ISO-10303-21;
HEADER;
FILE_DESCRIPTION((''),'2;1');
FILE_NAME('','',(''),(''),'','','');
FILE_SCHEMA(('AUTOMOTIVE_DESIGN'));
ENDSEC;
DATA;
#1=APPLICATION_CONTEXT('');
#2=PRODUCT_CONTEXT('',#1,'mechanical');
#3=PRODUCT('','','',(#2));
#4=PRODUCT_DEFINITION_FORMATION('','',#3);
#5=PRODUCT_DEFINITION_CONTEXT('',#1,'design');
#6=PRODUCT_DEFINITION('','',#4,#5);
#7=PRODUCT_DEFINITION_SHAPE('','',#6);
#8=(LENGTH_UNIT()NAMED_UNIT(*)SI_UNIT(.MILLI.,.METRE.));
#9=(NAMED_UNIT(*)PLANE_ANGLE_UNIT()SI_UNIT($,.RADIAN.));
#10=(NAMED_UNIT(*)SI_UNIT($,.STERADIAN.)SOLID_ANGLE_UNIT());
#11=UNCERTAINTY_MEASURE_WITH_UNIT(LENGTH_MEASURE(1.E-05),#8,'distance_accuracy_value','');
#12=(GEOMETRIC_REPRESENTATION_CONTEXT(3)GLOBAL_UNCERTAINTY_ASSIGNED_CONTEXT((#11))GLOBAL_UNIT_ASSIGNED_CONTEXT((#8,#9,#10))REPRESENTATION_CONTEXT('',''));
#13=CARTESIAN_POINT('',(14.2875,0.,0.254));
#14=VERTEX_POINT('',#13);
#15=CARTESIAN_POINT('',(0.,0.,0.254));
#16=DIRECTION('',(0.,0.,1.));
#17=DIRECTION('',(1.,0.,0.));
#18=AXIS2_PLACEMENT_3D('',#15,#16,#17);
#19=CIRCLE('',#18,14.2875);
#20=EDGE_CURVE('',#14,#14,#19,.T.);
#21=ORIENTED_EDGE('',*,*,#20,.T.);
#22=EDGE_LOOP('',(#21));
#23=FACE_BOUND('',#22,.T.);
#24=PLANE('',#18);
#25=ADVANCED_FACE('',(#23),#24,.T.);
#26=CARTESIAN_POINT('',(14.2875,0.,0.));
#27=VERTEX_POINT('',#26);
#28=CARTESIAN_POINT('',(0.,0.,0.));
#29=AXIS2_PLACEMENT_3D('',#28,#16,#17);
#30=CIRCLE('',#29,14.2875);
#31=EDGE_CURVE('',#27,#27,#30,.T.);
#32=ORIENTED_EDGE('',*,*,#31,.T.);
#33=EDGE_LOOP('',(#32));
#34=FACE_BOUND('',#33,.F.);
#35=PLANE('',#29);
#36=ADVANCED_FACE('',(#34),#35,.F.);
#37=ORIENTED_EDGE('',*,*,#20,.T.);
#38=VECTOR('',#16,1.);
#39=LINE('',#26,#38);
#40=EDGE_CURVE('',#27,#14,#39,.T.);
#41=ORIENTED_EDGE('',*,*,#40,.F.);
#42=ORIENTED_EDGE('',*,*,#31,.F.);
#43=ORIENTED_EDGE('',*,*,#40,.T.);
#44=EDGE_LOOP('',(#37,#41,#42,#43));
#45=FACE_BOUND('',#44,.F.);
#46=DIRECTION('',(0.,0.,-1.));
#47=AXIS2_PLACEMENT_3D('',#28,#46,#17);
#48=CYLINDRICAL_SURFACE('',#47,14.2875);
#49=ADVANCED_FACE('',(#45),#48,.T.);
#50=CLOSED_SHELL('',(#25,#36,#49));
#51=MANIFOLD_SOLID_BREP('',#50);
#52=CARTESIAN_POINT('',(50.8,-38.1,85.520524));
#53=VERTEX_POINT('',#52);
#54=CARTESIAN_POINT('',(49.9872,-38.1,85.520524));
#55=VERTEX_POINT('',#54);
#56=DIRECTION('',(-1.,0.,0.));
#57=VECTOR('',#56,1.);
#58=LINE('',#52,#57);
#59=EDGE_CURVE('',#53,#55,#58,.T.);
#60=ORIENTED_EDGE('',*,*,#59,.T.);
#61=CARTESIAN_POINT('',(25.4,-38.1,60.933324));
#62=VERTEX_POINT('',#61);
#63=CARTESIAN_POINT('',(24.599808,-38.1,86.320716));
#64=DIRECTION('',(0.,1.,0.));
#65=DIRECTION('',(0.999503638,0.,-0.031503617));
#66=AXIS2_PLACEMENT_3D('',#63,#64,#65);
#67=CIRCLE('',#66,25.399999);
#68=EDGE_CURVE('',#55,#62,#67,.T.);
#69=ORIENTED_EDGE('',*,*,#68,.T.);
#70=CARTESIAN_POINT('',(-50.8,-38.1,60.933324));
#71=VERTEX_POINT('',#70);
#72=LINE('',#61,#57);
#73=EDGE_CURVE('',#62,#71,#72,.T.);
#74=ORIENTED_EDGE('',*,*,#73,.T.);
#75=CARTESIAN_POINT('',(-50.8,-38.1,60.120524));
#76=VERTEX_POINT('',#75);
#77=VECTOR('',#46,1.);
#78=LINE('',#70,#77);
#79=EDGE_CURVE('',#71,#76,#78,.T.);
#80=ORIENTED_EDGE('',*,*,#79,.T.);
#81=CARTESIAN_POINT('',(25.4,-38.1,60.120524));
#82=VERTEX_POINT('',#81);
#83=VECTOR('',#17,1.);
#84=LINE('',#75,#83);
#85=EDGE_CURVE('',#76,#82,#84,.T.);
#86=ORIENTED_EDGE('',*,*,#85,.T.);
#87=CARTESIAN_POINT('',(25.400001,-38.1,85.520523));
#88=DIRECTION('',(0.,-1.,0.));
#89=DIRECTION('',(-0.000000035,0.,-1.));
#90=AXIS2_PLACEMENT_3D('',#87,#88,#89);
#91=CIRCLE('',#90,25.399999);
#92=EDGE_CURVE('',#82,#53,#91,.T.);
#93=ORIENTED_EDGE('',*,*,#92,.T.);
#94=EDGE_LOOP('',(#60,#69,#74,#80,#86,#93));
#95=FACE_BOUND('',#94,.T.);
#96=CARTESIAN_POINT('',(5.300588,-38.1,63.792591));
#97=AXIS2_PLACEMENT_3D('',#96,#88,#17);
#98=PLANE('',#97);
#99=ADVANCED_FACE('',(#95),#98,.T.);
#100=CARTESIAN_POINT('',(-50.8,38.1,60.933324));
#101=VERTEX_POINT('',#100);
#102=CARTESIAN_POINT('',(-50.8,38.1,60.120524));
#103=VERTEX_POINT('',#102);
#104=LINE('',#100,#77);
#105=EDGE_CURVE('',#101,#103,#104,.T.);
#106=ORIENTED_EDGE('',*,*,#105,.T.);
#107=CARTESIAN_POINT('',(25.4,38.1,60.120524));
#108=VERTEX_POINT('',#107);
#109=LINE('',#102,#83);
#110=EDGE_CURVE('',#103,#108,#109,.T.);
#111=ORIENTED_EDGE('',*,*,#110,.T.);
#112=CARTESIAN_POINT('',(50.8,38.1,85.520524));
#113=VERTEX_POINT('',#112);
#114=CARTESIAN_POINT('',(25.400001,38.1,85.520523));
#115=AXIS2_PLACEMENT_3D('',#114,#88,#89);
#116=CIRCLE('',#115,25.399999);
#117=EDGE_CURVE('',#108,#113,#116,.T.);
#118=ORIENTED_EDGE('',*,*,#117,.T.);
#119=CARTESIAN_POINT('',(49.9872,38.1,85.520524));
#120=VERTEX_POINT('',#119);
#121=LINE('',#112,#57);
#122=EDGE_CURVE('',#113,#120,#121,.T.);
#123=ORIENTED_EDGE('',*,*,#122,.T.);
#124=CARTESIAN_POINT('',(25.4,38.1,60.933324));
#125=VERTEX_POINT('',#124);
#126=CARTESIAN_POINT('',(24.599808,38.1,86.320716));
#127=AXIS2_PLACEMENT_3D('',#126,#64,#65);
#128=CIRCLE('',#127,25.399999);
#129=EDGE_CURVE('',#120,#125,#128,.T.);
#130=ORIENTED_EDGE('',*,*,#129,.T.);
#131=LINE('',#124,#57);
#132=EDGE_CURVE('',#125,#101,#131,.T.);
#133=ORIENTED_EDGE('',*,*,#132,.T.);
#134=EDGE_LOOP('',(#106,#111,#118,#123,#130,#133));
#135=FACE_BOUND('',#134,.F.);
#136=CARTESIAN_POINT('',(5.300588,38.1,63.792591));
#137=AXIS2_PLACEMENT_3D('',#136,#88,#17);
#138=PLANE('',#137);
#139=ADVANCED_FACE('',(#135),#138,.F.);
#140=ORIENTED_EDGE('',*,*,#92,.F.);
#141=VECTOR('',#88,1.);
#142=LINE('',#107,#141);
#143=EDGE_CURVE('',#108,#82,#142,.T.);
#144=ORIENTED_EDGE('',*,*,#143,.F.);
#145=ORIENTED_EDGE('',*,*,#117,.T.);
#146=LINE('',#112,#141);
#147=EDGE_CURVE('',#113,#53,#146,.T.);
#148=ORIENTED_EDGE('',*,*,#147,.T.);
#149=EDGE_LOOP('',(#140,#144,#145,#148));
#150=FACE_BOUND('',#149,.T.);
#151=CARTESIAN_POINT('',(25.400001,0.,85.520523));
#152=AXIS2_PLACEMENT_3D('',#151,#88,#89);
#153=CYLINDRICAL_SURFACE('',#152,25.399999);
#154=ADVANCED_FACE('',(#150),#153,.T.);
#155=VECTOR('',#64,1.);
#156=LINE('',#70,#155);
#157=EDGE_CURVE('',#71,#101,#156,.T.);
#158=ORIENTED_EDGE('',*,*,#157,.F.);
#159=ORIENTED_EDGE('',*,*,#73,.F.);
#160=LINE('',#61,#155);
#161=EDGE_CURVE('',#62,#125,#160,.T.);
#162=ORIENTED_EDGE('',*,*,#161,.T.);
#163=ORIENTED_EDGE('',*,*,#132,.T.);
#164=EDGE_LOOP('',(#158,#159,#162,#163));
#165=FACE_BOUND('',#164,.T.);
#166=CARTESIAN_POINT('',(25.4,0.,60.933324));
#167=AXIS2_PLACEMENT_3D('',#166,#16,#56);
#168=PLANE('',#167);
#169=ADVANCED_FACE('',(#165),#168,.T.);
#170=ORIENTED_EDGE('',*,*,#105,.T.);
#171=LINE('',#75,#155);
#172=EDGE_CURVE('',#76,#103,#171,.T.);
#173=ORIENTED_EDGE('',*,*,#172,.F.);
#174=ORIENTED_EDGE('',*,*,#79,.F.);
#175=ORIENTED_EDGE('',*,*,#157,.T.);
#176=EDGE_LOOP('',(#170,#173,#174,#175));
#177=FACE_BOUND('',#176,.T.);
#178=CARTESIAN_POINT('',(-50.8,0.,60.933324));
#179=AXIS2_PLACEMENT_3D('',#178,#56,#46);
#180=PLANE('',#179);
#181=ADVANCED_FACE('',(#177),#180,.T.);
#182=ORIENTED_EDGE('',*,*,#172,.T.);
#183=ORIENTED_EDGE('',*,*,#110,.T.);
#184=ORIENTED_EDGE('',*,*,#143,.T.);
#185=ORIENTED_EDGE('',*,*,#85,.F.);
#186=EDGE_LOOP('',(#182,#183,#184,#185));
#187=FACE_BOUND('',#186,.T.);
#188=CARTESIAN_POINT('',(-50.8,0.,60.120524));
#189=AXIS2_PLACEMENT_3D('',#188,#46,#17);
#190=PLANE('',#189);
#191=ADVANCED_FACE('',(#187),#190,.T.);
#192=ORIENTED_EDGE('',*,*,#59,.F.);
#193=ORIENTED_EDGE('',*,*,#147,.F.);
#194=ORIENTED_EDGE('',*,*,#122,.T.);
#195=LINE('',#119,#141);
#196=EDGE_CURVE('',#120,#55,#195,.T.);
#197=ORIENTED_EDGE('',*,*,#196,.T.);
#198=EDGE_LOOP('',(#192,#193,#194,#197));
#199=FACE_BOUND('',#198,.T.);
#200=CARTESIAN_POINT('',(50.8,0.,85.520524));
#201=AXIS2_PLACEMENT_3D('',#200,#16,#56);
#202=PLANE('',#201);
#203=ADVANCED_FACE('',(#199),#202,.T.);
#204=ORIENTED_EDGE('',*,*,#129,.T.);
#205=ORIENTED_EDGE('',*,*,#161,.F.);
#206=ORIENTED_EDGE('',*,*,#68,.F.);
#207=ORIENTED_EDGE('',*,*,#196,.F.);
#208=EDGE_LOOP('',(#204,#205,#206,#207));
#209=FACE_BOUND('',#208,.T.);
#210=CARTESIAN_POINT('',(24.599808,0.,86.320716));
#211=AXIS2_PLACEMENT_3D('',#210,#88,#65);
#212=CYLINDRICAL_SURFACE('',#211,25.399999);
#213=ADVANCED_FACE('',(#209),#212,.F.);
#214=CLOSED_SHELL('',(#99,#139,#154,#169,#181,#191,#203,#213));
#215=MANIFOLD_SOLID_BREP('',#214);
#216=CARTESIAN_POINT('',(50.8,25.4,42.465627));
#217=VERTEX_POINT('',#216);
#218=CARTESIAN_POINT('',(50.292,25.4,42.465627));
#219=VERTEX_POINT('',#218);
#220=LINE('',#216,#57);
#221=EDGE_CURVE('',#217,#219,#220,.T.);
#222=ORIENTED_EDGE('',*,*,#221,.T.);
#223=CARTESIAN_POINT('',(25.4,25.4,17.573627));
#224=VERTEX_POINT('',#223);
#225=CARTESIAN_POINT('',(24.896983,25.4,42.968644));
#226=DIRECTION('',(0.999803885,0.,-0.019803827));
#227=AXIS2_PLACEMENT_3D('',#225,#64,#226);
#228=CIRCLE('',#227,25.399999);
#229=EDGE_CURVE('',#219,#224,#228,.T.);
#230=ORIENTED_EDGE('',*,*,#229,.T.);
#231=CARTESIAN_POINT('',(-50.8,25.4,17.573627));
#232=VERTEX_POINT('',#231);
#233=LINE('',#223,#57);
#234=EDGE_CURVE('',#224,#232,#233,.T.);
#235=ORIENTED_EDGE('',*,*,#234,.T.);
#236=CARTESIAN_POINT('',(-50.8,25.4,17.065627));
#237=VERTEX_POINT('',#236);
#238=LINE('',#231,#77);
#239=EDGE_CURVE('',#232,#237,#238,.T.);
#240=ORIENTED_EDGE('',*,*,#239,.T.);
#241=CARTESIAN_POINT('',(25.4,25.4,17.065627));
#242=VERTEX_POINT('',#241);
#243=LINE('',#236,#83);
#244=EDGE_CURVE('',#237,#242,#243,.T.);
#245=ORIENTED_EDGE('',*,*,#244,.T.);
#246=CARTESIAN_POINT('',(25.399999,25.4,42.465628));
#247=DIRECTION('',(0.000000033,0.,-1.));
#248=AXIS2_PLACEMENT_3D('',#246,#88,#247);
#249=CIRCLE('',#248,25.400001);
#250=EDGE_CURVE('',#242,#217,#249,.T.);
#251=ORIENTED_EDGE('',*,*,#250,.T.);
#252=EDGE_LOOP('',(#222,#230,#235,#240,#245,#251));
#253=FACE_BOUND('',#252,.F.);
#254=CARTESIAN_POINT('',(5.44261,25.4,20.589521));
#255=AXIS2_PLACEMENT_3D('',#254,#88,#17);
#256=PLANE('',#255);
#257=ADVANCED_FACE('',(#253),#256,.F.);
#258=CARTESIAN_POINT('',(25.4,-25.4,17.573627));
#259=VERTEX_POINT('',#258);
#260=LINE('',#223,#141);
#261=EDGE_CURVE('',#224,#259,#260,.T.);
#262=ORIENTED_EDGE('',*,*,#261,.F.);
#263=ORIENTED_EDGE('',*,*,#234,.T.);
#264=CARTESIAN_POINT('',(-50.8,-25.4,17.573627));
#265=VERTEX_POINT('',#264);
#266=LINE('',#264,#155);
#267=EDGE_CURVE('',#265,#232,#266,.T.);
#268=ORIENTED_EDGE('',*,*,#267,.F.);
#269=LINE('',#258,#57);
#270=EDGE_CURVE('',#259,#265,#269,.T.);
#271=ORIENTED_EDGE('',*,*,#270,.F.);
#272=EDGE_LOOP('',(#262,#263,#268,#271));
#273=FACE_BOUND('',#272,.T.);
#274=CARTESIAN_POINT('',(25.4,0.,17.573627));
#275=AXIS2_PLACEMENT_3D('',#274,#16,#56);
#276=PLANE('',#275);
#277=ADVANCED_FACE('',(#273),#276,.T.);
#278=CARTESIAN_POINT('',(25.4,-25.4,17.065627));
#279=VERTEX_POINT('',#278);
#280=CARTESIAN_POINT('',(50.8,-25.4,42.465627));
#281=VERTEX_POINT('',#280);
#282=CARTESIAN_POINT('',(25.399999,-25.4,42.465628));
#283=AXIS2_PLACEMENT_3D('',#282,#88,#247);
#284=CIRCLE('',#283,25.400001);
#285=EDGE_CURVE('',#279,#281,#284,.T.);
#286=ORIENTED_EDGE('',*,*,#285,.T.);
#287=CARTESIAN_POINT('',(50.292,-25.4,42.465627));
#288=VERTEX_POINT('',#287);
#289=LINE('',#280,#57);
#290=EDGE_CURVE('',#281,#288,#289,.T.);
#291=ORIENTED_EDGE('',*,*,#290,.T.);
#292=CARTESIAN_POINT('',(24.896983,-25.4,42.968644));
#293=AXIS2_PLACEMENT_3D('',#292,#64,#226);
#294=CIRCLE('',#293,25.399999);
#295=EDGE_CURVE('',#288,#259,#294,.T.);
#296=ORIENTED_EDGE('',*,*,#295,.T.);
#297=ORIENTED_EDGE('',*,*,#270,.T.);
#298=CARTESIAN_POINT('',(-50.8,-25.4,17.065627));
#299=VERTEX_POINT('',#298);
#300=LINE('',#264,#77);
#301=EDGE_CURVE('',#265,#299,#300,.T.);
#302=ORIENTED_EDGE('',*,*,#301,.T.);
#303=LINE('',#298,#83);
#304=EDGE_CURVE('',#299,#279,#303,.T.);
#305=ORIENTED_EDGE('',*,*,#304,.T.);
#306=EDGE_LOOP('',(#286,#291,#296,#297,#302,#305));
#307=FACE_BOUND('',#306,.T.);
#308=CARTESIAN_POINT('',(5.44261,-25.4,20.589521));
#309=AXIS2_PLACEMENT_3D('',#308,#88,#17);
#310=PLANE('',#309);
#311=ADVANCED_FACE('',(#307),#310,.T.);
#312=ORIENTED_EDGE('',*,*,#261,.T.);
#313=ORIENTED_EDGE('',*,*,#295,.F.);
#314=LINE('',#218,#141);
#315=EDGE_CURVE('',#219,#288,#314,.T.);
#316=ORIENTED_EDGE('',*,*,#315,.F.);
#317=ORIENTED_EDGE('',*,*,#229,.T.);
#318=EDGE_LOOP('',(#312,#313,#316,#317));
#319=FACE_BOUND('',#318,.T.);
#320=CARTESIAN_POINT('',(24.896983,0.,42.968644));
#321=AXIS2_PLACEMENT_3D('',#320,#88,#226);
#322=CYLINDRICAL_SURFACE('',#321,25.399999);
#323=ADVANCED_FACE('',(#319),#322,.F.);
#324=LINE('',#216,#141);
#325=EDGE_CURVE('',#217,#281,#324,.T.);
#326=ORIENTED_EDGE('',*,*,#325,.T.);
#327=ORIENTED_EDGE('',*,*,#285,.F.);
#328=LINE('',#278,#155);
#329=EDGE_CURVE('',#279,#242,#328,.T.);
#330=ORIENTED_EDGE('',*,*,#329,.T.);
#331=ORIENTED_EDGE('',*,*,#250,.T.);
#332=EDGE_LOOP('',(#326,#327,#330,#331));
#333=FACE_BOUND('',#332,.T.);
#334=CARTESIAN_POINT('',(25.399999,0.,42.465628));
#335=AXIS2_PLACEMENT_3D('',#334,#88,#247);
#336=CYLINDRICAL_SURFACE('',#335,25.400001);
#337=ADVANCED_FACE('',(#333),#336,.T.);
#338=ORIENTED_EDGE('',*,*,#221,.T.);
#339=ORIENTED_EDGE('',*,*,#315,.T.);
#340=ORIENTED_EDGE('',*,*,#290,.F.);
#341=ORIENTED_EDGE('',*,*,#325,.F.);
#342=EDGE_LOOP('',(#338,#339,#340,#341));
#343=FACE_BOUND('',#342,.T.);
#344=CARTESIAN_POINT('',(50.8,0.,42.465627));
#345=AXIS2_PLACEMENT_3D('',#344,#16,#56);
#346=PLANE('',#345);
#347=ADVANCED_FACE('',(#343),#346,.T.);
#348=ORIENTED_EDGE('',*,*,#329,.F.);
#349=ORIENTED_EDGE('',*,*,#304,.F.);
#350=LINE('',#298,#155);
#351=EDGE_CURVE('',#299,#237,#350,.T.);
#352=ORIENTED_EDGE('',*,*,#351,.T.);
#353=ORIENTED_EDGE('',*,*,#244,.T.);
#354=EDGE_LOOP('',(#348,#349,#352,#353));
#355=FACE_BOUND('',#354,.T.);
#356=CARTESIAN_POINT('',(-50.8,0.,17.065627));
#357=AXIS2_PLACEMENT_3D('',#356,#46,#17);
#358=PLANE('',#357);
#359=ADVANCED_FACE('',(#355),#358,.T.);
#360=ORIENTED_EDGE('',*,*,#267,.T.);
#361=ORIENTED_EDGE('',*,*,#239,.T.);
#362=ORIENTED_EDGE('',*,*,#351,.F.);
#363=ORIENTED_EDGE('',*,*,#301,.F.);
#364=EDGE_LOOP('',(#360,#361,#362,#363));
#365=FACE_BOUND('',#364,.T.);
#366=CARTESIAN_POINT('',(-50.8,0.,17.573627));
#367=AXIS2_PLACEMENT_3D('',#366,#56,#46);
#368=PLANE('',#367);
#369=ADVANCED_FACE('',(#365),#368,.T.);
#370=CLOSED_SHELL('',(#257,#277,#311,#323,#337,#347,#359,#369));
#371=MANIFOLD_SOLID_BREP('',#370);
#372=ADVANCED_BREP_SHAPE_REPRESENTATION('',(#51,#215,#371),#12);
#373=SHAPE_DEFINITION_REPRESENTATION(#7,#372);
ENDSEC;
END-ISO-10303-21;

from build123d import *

# Parameters (mm, degrees)
F0_R     = 14.2875
F1_DEPTH = 0.254
F3_DEPTH = 25.4
F5_DEPTH = 38.1


with BuildPart() as f1:
    # F0 (on Top) → F1 (new body)
    with BuildSketch(Plane.XY):
        Circle(F0_R)
    extrude(amount=F1_DEPTH)


with BuildPart() as f3:
    # F2 (on Front) → F3 (new body, symmetric)
    with BuildSketch(Plane.XZ):
        with BuildLine():
            ThreePointArc((25.4, 17.065627), (43.360512, 24.505115), (50.8, 42.465627))
            Line((50.8, 42.465627), (50.292, 42.465627))
            ThreePointArc((50.292, 42.465627), (42.857494, 25.008133), (25.4, 17.573627))
            Line((25.4, 17.573627), (-50.8, 17.573627))
            Line((-50.8, 17.573627), (-50.8, 17.065627))
            Line((-50.8, 17.065627), (25.4, 17.065627))
        make_face()
    extrude(amount=F3_DEPTH, both=True)


with BuildPart() as f5:
    # F4 (on Front) → F5 (new body, symmetric)
    with BuildSketch(Plane.XZ):
        with BuildLine():
            Line((-50.8, 60.120524), (25.4, 60.120524))
            ThreePointArc((25.4, 60.120524), (43.360512, 67.560011), (50.8, 85.520524))
            Line((50.8, 85.520524), (49.9872, 85.520524))
            ThreePointArc((49.9872, 85.520524), (42.56032, 68.360204), (25.4, 60.933324))
            Line((25.4, 60.933324), (-50.8, 60.933324))
            Line((-50.8, 60.933324), (-50.8, 60.120524))
        make_face()
    extrude(amount=F5_DEPTH, both=True)


solid = Compound([f1.part, f3.part, f5.part])
